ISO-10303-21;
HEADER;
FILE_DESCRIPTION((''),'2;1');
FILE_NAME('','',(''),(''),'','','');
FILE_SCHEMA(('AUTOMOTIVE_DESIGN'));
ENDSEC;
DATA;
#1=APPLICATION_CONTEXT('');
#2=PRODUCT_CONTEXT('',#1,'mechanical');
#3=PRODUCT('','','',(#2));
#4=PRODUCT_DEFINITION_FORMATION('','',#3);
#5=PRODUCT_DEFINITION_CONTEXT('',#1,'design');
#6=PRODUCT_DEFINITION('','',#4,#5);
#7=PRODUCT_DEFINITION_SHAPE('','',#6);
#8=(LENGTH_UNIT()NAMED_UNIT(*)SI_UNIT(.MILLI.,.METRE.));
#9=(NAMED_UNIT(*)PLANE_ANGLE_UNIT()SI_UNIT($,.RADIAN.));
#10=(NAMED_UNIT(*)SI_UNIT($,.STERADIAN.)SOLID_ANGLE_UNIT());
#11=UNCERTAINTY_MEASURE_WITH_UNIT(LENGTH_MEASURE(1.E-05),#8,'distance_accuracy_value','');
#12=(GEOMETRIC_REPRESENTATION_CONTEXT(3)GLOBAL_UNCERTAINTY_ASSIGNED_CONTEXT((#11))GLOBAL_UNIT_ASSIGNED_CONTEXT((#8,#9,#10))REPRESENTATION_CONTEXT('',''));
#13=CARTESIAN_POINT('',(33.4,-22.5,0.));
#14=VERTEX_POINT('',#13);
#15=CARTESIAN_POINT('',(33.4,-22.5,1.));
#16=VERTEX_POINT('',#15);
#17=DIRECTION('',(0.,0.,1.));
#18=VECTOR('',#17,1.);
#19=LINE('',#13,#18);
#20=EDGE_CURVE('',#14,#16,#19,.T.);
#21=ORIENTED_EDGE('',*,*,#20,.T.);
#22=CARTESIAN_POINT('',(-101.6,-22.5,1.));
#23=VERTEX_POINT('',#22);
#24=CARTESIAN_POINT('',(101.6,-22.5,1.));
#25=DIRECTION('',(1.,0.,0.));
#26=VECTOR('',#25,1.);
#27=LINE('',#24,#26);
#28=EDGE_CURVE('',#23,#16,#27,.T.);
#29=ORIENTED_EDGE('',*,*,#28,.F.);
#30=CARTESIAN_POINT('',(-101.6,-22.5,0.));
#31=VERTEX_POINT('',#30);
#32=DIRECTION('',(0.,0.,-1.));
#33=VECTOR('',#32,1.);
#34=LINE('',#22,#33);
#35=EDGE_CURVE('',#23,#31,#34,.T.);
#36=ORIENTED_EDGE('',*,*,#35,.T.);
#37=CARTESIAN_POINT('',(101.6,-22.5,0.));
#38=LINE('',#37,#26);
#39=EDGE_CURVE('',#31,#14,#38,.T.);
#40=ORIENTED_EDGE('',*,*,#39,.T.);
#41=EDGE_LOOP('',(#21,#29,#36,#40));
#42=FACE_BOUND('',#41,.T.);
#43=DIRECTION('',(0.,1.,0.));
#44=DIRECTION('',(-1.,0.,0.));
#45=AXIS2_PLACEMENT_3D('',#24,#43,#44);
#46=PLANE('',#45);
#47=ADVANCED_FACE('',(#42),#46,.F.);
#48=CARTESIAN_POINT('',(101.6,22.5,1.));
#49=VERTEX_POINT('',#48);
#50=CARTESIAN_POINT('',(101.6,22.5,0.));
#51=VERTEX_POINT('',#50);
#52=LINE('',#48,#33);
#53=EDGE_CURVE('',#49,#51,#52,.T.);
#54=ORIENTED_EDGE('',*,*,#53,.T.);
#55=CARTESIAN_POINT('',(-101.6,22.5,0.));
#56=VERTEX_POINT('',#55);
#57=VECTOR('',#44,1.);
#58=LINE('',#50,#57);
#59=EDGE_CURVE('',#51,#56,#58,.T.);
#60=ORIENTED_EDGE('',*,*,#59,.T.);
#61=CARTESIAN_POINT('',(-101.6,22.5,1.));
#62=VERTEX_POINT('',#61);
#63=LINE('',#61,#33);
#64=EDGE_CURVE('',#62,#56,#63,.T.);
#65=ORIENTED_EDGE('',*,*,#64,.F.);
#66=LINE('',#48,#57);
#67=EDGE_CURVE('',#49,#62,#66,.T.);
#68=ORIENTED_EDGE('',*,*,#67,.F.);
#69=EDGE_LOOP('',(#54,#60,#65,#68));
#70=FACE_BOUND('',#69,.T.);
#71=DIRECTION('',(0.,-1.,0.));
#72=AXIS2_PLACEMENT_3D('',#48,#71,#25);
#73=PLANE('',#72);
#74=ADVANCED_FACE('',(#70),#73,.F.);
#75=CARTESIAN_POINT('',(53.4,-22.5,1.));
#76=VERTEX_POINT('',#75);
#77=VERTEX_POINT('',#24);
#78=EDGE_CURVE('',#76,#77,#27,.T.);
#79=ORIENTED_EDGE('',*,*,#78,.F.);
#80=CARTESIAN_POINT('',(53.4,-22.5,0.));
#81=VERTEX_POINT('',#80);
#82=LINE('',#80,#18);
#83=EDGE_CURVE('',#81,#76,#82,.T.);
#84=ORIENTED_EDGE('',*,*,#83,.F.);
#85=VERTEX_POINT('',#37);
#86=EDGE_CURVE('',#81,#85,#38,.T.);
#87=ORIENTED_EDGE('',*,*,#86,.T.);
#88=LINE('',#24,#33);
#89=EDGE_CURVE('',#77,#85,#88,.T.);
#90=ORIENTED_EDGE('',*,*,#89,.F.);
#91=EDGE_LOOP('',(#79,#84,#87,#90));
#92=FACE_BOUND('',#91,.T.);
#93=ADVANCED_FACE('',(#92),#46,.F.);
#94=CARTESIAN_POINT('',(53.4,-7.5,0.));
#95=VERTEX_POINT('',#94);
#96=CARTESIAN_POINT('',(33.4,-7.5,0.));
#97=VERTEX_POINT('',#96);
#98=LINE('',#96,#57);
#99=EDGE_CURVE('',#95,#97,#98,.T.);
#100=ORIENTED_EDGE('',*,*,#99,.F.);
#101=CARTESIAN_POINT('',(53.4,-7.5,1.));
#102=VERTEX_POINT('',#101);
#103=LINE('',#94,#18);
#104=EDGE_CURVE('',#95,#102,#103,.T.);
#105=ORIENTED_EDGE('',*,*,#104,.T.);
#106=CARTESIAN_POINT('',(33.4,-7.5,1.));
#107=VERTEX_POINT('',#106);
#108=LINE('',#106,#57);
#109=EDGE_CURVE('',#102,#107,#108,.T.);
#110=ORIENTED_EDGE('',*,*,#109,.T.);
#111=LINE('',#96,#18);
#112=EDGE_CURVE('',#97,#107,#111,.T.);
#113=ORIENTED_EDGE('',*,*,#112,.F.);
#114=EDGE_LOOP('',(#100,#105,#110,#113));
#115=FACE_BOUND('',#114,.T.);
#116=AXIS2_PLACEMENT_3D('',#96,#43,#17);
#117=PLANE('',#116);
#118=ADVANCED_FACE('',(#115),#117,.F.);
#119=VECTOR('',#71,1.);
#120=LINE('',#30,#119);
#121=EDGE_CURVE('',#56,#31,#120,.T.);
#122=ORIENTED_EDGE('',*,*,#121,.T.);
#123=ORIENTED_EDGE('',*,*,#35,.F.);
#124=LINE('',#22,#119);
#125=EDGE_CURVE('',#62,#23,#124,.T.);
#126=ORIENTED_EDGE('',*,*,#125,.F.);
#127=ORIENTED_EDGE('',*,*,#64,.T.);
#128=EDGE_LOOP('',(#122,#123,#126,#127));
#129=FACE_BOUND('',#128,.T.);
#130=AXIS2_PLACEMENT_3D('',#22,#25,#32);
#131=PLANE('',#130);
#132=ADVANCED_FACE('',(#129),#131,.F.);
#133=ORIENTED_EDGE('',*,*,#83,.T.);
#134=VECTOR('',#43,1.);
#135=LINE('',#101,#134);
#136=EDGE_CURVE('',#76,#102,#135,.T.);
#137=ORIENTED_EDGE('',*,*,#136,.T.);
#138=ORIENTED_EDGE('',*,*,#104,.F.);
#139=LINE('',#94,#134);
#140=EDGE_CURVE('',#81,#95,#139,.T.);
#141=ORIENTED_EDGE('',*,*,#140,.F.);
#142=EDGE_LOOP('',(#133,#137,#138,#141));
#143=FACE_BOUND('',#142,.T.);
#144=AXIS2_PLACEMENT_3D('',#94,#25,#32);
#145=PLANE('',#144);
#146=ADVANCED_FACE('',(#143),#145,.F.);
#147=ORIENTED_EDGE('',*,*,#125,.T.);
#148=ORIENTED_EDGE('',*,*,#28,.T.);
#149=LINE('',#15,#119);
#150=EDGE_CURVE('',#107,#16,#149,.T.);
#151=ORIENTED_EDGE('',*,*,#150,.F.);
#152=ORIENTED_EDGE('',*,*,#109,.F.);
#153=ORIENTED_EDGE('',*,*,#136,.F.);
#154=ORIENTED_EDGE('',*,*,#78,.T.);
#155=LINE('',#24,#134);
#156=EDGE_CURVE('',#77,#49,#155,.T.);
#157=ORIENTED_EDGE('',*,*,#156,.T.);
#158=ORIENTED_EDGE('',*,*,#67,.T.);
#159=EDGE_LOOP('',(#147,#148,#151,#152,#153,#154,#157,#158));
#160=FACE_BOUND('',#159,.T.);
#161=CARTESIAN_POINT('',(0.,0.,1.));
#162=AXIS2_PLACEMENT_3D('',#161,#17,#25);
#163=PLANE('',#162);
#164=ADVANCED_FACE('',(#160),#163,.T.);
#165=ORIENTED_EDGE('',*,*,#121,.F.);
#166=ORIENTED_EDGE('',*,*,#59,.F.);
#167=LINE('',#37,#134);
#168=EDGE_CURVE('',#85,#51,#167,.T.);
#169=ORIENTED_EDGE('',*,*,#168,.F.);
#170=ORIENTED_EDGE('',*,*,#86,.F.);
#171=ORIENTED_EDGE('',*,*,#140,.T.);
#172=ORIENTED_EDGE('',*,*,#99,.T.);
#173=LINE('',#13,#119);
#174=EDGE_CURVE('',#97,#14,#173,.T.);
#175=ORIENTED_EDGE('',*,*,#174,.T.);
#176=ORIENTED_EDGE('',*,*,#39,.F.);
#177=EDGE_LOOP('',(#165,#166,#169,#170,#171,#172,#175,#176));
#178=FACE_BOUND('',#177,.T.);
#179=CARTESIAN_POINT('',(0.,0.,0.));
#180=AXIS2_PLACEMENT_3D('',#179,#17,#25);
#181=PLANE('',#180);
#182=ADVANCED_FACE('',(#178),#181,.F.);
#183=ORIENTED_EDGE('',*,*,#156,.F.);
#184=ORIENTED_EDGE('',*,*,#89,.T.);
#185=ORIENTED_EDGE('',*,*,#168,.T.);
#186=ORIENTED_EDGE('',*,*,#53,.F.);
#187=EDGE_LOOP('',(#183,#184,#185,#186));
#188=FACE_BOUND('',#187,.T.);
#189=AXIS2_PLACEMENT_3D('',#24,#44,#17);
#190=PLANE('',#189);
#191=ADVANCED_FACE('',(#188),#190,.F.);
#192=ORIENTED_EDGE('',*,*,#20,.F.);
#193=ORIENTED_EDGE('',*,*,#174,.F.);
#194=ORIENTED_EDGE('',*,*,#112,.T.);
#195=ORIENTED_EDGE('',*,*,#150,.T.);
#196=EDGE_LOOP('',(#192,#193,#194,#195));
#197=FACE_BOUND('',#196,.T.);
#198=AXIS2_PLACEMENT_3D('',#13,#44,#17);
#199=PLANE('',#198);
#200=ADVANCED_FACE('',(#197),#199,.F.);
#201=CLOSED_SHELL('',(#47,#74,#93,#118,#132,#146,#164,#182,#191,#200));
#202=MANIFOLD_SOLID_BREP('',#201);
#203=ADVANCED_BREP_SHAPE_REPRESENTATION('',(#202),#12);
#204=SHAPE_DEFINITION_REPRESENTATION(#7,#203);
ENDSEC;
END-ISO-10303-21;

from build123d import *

# Parameters (mm, degrees)
SKETCH1_W           = 203.2
SKETCH1_H           = 45
BOSS_EXTRUDE1_DEPTH = 1
SKETCH2_W           = 20
SKETCH2_H           = 15
CUT_EXTRUDE1_DEPTH  = 1


with BuildPart() as part:
    # Sketch1 → Boss-Extrude1 (new body)
    with BuildSketch(Plane.XY):
        Rectangle(SKETCH1_W, SKETCH1_H)
    extrude(amount=BOSS_EXTRUDE1_DEPTH)

    # Sketch2 → Cut-Extrude1 (cut)
    with BuildSketch(Plane.XY.offset(1)):
        with Locations((43.4, -15)):
            Rectangle(SKETCH2_W, SKETCH2_H)
    extrude(amount=-CUT_EXTRUDE1_DEPTH, mode=Mode.SUBTRACT)


solid = part.part
